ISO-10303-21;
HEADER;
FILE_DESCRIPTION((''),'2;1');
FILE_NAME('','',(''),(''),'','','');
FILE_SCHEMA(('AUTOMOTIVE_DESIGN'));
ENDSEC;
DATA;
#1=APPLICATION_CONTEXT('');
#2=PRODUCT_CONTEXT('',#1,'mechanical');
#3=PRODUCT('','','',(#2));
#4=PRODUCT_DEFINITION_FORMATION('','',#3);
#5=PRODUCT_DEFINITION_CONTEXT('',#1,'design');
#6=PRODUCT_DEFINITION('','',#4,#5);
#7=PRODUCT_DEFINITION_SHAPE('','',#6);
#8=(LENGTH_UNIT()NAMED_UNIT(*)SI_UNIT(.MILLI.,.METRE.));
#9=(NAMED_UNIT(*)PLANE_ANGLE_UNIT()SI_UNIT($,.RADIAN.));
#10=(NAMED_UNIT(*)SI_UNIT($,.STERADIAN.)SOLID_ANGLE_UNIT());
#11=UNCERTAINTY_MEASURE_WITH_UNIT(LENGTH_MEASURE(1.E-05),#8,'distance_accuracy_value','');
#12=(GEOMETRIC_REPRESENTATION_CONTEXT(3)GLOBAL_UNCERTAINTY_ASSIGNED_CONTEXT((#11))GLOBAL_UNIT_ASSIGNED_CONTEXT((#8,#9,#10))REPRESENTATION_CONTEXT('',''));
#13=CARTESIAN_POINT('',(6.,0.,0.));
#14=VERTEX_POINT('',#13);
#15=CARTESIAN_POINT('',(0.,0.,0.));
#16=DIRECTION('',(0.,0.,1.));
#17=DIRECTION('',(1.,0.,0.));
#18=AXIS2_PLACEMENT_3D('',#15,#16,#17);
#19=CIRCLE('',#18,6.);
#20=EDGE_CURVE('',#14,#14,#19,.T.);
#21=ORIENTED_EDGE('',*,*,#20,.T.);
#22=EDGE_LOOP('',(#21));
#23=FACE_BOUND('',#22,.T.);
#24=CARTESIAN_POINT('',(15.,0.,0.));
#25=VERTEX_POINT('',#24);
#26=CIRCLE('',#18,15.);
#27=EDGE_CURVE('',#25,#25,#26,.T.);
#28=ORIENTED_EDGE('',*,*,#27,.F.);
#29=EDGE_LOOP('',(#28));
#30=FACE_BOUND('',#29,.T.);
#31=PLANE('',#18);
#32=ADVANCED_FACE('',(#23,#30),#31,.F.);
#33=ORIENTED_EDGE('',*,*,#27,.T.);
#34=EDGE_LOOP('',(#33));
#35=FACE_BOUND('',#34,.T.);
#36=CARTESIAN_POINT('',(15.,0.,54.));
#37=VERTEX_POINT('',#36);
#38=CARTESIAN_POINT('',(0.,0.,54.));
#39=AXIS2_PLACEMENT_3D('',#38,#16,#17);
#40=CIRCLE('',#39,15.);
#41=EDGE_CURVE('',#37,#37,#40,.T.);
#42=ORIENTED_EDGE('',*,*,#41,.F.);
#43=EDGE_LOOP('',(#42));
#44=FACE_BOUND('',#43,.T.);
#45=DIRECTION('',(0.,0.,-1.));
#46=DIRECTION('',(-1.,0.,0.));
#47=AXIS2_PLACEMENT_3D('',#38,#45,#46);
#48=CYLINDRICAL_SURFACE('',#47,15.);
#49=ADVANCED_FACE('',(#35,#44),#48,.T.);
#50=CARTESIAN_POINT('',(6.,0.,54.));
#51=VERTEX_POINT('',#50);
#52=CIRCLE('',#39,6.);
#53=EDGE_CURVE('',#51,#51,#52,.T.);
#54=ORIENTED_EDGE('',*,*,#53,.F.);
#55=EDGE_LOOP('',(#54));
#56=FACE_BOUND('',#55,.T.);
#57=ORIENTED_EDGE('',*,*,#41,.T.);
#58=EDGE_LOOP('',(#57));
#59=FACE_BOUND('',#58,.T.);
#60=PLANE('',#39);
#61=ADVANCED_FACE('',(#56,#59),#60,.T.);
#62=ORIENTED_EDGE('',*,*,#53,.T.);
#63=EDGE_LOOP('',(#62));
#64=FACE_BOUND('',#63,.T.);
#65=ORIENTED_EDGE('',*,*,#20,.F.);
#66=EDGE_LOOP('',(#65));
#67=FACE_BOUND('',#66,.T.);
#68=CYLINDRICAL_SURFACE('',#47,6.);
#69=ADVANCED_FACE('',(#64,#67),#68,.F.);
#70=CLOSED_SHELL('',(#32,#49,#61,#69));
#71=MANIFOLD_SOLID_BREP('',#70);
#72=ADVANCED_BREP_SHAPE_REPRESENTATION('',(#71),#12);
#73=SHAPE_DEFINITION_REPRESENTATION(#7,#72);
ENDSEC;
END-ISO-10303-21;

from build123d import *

# Parameters (mm, degrees)
SKETCH1_R           = 15
SKETCH1_R_2         = 6
BOSS_EXTRUDE1_DEPTH = 54


with BuildPart() as part:
    # Sketch1 → Boss-Extrude1 (new body)
    with BuildSketch(Plane.XY):
        Circle(SKETCH1_R)
        Circle(SKETCH1_R_2, mode=Mode.SUBTRACT)
    extrude(amount=BOSS_EXTRUDE1_DEPTH)


solid = part.part
